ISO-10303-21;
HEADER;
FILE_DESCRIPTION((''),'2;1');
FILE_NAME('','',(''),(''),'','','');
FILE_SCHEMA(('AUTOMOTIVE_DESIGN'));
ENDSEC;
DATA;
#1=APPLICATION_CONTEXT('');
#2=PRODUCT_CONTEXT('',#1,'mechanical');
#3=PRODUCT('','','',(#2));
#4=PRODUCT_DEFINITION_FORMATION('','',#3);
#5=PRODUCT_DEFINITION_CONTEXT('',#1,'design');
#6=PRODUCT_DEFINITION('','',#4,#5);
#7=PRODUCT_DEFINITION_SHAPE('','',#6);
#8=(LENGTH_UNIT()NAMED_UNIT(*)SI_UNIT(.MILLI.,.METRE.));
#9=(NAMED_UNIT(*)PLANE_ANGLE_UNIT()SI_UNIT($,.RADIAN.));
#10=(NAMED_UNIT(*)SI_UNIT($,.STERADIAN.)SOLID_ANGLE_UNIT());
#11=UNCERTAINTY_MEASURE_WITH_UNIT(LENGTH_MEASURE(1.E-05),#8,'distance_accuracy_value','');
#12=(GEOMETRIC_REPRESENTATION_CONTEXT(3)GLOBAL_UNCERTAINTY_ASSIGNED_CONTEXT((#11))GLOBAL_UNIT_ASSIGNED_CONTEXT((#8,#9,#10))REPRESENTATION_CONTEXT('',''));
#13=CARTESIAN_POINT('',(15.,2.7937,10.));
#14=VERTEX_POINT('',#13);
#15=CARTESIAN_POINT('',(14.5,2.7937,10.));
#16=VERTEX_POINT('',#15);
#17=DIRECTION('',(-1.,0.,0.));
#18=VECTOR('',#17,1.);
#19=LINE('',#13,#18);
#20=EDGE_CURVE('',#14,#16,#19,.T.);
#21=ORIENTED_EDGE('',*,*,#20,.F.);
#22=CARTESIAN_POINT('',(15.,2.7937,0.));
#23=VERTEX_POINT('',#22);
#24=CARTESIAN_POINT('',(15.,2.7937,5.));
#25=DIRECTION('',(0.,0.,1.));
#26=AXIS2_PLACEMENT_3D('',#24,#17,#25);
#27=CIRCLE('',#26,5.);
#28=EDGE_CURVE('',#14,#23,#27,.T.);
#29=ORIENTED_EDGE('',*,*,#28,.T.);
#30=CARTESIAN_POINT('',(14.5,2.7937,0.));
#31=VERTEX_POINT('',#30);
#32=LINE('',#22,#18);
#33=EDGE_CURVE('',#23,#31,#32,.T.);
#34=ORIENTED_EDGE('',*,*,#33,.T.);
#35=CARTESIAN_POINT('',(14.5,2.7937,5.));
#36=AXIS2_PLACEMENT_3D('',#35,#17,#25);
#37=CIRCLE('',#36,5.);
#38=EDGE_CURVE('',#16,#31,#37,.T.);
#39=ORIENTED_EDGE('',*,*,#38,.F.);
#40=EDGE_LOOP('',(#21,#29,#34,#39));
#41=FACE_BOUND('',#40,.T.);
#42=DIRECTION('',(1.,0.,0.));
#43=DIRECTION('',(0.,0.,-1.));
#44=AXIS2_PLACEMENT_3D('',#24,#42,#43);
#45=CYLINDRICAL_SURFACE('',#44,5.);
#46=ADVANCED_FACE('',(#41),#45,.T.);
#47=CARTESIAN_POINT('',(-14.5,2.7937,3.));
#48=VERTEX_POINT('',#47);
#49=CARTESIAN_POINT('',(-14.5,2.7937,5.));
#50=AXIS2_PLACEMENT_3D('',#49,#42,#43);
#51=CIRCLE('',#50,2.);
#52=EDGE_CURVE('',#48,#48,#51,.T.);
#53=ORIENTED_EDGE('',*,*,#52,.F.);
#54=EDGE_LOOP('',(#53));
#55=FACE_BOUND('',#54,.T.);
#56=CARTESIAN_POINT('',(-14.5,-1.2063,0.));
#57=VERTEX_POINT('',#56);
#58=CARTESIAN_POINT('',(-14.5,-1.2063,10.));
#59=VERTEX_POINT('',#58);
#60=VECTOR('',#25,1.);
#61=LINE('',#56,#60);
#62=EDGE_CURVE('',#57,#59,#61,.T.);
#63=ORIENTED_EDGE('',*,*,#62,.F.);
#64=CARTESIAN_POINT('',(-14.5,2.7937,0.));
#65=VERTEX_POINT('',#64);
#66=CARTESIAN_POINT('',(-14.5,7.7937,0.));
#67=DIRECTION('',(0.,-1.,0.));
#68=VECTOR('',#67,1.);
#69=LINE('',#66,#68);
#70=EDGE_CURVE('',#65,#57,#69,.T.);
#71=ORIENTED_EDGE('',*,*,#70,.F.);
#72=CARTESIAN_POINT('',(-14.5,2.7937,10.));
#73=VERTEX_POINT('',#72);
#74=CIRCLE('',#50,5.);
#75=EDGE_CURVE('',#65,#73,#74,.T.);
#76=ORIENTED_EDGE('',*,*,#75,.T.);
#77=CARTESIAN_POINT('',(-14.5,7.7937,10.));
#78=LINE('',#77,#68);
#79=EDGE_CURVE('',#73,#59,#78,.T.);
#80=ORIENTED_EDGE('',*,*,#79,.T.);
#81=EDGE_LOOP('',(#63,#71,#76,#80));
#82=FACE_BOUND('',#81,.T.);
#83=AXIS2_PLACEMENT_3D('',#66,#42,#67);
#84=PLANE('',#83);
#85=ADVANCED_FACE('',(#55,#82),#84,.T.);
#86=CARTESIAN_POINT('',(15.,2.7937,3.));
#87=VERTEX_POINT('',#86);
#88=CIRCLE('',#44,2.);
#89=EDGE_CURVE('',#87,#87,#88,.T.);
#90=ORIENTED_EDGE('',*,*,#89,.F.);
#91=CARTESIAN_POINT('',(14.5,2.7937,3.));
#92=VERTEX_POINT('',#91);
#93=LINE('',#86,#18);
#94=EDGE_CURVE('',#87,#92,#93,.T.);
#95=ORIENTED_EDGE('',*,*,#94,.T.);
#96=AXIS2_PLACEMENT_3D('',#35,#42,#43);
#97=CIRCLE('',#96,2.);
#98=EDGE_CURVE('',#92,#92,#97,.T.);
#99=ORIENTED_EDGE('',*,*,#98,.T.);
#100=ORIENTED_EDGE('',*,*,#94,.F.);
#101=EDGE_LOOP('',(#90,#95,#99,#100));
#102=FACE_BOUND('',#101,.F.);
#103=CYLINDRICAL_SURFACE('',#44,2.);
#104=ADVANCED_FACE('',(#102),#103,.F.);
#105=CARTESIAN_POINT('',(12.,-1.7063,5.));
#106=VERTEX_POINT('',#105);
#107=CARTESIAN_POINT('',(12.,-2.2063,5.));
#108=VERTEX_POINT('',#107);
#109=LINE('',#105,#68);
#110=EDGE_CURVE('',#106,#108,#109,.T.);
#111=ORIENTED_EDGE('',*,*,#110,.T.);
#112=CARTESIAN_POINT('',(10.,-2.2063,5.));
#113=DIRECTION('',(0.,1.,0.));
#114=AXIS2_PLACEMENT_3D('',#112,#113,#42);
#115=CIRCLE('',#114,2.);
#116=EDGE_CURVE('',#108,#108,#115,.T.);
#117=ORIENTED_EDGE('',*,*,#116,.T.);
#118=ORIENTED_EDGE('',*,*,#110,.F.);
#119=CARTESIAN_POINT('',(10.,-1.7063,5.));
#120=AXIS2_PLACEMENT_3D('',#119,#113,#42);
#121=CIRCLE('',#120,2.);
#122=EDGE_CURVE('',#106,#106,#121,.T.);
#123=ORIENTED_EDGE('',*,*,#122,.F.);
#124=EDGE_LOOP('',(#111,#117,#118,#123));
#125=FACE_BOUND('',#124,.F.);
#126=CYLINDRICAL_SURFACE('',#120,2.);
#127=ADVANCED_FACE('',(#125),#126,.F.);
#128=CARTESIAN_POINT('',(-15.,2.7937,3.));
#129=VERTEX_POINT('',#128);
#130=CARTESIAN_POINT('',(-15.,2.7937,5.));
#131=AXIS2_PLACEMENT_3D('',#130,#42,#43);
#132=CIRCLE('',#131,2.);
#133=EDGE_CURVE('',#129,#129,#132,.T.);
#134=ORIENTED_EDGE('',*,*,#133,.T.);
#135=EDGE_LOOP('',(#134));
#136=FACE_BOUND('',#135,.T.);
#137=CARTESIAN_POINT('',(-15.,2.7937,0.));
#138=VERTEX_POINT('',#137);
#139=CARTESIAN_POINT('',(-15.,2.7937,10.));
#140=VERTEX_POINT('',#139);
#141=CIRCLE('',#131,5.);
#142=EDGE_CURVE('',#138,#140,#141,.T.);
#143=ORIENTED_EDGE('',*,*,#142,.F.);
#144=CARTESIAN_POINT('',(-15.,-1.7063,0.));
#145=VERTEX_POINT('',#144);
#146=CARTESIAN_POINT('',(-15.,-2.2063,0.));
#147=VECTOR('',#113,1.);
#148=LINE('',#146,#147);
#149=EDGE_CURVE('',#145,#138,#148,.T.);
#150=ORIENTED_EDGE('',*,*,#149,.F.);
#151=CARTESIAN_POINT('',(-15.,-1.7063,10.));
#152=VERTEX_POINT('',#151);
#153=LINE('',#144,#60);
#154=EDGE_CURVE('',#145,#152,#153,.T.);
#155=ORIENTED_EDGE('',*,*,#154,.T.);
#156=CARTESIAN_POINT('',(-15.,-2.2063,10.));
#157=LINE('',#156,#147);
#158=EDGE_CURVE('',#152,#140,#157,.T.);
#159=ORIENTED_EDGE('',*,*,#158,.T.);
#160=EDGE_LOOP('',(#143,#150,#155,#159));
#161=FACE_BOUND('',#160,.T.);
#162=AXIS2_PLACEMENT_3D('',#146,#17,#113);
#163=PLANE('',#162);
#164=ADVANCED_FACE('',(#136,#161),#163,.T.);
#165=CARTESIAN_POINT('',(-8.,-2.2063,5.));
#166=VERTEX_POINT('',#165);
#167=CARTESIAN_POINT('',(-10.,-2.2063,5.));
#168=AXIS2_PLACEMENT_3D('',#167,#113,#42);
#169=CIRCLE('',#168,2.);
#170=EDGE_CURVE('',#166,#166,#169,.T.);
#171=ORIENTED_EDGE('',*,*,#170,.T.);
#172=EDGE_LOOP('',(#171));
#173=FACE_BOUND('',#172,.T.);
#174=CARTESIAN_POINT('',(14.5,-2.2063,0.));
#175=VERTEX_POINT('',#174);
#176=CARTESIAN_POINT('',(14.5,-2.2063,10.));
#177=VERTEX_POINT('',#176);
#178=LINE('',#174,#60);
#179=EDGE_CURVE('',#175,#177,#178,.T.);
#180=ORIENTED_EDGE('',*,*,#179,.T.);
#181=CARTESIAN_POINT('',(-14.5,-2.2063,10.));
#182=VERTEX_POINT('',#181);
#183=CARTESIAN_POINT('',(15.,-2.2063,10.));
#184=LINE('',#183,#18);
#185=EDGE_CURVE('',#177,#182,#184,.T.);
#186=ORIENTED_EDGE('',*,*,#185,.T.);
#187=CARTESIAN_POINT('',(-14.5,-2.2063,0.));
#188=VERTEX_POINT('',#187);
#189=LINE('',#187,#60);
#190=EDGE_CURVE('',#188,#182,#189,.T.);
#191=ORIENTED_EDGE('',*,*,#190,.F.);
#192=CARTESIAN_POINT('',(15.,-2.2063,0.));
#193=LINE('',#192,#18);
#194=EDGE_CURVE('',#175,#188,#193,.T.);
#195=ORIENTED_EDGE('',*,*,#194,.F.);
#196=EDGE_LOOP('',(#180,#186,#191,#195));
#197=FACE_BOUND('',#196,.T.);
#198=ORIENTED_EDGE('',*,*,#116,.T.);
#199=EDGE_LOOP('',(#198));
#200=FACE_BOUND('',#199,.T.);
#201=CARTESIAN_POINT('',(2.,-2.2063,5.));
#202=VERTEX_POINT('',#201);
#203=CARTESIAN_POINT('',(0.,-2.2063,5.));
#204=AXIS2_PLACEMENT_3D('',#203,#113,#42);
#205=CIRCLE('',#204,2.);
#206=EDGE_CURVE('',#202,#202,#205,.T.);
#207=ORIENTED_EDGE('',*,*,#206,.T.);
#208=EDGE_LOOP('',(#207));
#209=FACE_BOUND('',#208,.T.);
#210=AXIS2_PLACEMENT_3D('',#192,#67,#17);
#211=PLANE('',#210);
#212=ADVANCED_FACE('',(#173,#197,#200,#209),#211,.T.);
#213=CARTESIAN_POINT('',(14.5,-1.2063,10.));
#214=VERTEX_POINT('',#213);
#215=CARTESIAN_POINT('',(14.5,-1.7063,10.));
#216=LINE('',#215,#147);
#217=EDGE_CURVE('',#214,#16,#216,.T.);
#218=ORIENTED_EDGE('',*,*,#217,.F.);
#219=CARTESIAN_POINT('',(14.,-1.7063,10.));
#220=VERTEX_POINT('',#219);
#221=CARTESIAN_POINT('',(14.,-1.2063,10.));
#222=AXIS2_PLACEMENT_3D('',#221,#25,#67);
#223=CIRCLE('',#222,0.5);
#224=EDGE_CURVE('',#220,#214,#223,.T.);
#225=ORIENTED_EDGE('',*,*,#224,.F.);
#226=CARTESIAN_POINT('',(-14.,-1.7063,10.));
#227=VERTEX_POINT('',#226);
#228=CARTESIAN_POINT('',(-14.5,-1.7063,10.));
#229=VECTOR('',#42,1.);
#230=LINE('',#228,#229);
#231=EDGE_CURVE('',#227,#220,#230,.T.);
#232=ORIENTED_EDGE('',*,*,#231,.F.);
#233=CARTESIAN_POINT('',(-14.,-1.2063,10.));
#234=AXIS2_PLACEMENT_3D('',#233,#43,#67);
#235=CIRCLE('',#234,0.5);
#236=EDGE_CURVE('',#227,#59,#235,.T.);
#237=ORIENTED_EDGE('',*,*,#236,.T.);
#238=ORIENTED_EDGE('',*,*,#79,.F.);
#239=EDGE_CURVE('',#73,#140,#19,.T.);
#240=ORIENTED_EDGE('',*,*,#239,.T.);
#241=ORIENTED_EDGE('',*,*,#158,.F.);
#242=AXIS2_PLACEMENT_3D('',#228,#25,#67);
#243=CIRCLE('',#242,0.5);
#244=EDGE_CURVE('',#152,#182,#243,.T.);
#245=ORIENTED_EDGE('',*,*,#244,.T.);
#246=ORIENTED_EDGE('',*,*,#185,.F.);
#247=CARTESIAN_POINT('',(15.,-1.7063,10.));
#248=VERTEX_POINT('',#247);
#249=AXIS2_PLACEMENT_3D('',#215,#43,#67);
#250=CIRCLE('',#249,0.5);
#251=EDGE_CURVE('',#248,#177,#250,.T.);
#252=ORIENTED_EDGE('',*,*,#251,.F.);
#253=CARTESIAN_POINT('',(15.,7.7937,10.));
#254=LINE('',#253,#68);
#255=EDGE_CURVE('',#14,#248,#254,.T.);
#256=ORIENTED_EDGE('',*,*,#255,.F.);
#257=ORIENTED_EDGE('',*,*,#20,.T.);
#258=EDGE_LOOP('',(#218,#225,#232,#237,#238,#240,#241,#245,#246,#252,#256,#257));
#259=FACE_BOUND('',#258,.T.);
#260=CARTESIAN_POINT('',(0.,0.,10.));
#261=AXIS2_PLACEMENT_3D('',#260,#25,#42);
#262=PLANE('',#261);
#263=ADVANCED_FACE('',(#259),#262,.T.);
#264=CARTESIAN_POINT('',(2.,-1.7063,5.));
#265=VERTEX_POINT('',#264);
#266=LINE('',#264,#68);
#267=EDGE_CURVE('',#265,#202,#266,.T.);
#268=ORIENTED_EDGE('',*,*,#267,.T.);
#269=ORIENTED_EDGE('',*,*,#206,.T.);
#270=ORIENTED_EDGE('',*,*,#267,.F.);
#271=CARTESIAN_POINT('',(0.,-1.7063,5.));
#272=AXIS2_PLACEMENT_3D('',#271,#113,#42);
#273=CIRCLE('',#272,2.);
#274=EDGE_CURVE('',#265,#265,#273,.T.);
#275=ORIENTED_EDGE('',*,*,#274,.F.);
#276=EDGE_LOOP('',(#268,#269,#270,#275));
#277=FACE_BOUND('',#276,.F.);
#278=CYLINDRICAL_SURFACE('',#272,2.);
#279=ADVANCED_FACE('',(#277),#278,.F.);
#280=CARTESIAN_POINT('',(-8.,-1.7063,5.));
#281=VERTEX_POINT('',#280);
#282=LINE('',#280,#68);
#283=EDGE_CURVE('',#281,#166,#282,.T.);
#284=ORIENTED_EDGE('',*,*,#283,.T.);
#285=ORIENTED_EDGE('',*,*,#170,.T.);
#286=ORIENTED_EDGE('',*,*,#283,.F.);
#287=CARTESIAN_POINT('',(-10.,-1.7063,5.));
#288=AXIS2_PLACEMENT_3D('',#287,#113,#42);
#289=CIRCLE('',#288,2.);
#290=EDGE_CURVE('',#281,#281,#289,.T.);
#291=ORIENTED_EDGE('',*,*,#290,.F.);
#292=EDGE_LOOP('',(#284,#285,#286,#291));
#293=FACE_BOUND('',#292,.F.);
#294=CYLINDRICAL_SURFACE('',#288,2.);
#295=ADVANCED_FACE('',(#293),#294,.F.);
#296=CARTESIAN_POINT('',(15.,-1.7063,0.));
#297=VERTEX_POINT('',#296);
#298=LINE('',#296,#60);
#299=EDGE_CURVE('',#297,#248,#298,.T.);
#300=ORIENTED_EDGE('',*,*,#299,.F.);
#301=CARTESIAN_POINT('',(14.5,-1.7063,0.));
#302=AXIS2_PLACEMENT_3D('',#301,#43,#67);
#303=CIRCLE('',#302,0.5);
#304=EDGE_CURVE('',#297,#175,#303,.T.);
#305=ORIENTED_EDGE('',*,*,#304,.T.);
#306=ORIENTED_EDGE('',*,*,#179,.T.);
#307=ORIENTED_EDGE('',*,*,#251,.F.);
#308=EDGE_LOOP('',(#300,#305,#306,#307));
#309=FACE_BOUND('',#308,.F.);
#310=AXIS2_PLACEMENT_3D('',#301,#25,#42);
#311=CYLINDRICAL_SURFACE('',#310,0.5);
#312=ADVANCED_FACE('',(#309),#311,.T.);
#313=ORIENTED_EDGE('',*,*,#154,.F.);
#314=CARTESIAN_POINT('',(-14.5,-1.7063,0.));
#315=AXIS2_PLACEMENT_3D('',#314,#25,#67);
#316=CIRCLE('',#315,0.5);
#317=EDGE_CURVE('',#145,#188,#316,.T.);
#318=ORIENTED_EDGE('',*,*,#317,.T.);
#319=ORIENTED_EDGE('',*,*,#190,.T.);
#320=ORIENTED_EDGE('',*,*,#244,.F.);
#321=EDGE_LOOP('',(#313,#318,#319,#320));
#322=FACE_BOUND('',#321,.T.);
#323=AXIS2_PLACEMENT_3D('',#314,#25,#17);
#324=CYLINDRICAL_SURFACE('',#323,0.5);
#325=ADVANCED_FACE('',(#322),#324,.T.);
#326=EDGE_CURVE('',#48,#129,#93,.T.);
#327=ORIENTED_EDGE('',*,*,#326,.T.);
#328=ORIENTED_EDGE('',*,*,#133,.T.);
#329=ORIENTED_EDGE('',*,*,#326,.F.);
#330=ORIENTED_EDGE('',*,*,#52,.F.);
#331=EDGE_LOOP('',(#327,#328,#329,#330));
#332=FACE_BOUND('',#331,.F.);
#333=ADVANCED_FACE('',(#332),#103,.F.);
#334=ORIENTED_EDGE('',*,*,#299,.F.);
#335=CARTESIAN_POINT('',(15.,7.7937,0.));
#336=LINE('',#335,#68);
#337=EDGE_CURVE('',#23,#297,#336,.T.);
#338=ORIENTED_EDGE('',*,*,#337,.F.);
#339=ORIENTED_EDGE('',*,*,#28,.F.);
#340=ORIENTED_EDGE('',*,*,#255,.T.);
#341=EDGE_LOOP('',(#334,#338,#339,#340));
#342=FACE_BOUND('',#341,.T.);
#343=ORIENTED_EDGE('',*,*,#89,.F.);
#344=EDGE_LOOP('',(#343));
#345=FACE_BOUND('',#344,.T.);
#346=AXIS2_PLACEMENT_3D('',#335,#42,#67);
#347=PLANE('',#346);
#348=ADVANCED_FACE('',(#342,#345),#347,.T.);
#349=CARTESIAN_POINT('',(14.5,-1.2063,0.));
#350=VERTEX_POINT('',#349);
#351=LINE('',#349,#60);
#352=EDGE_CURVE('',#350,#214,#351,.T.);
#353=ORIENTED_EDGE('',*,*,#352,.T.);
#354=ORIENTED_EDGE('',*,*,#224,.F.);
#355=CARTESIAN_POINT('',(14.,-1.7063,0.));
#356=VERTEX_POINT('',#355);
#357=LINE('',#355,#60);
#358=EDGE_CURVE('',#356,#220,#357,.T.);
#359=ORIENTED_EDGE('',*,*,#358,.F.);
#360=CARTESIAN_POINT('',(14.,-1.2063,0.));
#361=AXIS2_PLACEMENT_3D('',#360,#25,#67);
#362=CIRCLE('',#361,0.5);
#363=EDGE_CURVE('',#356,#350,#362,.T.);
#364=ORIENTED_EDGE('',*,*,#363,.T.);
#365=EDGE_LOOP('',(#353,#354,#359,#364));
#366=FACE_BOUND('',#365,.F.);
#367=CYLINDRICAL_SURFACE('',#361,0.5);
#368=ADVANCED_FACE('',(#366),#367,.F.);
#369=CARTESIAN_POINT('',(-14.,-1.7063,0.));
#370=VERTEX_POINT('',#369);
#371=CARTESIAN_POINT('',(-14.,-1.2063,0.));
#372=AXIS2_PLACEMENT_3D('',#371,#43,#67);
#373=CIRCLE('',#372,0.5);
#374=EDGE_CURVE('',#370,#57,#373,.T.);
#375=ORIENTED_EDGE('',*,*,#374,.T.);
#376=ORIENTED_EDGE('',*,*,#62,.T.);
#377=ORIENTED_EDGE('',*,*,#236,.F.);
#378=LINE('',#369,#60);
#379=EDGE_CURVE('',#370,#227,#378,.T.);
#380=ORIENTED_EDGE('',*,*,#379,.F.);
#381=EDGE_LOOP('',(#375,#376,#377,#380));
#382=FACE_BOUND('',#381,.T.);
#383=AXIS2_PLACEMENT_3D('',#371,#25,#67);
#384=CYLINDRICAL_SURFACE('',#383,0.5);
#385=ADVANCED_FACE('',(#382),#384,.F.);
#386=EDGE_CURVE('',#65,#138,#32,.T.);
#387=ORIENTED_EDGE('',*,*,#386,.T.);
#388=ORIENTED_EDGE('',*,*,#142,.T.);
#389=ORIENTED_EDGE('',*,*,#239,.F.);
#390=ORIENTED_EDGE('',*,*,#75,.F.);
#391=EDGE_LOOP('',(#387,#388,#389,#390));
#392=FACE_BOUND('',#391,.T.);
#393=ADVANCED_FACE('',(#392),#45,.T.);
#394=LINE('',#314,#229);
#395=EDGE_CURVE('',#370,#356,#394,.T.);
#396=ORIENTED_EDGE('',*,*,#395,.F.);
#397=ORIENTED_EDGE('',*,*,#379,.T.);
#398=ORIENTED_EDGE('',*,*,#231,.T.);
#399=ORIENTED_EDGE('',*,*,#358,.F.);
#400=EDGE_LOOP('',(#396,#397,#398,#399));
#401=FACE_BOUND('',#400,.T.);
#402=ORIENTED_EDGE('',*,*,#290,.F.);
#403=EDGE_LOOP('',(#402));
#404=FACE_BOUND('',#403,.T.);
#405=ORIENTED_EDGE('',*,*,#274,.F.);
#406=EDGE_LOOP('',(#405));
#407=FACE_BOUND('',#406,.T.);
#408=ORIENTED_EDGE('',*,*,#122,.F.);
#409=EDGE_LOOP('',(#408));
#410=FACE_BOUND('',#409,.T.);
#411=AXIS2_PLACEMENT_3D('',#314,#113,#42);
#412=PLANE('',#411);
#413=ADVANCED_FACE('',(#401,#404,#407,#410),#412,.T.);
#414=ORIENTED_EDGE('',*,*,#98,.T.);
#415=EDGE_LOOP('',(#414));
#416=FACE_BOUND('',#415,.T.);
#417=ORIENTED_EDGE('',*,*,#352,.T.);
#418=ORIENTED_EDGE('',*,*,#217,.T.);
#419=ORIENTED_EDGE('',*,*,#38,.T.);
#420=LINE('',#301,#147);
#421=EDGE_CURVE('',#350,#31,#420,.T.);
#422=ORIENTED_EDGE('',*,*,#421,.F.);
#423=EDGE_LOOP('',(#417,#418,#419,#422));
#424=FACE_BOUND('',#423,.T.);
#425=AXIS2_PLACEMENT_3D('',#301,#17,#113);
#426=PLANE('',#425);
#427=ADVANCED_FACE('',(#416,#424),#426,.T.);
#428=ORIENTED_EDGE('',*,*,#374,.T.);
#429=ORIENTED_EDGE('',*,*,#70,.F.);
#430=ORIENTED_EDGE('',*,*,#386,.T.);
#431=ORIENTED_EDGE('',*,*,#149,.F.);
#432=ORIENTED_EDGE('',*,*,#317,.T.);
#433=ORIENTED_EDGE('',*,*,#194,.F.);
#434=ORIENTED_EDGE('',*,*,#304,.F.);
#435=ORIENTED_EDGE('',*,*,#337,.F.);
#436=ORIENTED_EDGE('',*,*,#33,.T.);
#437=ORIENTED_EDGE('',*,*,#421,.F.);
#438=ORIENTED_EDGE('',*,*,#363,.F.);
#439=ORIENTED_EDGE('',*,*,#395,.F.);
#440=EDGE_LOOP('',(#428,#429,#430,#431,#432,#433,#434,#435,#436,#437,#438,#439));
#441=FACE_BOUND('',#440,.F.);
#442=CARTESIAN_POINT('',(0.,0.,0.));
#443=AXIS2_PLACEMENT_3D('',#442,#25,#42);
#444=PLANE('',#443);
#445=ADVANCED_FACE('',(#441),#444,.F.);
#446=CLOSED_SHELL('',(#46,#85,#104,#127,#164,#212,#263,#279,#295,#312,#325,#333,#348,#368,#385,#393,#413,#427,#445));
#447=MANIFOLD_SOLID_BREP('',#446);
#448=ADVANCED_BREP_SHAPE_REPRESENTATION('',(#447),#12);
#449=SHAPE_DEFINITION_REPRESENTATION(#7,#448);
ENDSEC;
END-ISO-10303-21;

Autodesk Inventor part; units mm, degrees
ref_plane "YZ Plane" through (0, 0, 0) normal (1, 0, 0) x (0, 1, 0)
ref_plane "XZ Plane" through (0, 0, 0) normal (0, 1, 0) x (-1, 0, 0)
ref_plane "XY Plane" through (0, 0, 0) normal (0, 0, 1) x (1, 0, 0)
sketch "Náčrt1" plane through (0, 0, 0) normal (0, 0, 1) x (1, 0, 0)
  line L0 (-14.5, 7.7937) -> (-14.5, -1.7063)
  line L1 (-14.5, -1.7063) -> (14.5, -1.7063)
  line L2 (14.5, -1.7063) -> (14.5, 7.7937)
  line L3 (14.5, 7.7937) -> (15, 7.7937)
  line L4 (15, 7.7937) -> (15, -2.2063)
  line L5 (15, -2.2063) -> (-15, -2.2063)
  line L6 (-15, -2.2063) -> (-15, 7.7937)
  line L7 (-15, 7.7937) -> (-14.5, 7.7937)
  point P0 (0, 0)
  point P1 (14.5, 3.0437)
  point P2 (-14.75, 7.7937)
  point P3 (14.75, 7.7937)
  dimension "d0" = 15
  dimension "d1" = 15
  dimension "d2" = 0.5
  dimension "d3" = 0.5
  dimension "d4" = 0.5
  dimension "d5" = 10
  dimension "d6" = 10
extrude "Vysunutí1" add sketch "Náčrt1" along normal blind 10
sketch "Náčrt2" plane through (15, -2.2063, 0) normal (1, 0, 0) x (0, 0, -1)
  circle A0 centre (-5, 5) radius 2
  line L0 (0, 0) -> (0, 10) projected
  point P0 (0, 2.2063)
  point P1 (0, 5)
  dimension "d9" = 4
  dimension "d10" = 5
extrude "Vysunutí2" cut sketch "Náčrt2" against normal through all
pattern_linear "Obdélníkové pole1" count 10 spacing 10 along (0, 0, 1) of "Vysunutí2"
sketch "Náčrt3" plane through (-14.5, -1.7063, 0) normal (0, 1, 0) x (1, 0, 0)
  circle A0 centre (4.5, -5) radius 2
  line L0 (29, -10) -> (0, -10) projected
  line L1 (-0.5, 0) -> (-0.5, -10) projected
  point P0 (14.5, 0)
  dimension "d16" = 4
  dimension "d17" = 5
  dimension "d18" = 5
extrude "Vysunutí3" cut sketch "Náčrt3" against normal through all
pattern_linear "Obdélníkové pole2" count 10 spacing 10 along (0, 0, -1) count 5 spacing 10 along (1, 0, 0) of "Vysunutí3"
sketch "Náčrt4" plane through (15, -2.2063, 0) normal (1, 0, 0) x (0, 0, -1)
  arc A0 (0, 5) -> (-10, 5) centre (-5, 5) ccw
  line L0 (0, 0) -> (0, 10) projected
  line L1 (0, 0) -> (-10, 0) projected
  line L2 (0, 10) -> (-10, 10) projected
  line L3 (-10, 10) -> (0, 10)
  line L4 (0, 10) -> (0, 5)
  line L5 (0, 10) -> (0, 0.5) projected
  line L6 (-10, 10) -> (-10, 0.5) projected
  line L7 (-10, 5) -> (-10, 10)
  point P0 (0, 2.2063)
  point P1 (-5, 10)
  dimension "d27" = 10
  dimension "d28" = 5
  dimension "d29" = 5
extrude "Vysunutí4" cut sketch "Náčrt4" against normal through all
fillet "Zaoblení1" radius 0.5 2 edges at (15, -2.2063, 5) (14.5, -1.7063, 5)
fillet "Zaoblení2" radius 0.5 2 edges at (-15, -2.2063, 5) (-14.5, -1.7063, 5)
properties part number "3031"
